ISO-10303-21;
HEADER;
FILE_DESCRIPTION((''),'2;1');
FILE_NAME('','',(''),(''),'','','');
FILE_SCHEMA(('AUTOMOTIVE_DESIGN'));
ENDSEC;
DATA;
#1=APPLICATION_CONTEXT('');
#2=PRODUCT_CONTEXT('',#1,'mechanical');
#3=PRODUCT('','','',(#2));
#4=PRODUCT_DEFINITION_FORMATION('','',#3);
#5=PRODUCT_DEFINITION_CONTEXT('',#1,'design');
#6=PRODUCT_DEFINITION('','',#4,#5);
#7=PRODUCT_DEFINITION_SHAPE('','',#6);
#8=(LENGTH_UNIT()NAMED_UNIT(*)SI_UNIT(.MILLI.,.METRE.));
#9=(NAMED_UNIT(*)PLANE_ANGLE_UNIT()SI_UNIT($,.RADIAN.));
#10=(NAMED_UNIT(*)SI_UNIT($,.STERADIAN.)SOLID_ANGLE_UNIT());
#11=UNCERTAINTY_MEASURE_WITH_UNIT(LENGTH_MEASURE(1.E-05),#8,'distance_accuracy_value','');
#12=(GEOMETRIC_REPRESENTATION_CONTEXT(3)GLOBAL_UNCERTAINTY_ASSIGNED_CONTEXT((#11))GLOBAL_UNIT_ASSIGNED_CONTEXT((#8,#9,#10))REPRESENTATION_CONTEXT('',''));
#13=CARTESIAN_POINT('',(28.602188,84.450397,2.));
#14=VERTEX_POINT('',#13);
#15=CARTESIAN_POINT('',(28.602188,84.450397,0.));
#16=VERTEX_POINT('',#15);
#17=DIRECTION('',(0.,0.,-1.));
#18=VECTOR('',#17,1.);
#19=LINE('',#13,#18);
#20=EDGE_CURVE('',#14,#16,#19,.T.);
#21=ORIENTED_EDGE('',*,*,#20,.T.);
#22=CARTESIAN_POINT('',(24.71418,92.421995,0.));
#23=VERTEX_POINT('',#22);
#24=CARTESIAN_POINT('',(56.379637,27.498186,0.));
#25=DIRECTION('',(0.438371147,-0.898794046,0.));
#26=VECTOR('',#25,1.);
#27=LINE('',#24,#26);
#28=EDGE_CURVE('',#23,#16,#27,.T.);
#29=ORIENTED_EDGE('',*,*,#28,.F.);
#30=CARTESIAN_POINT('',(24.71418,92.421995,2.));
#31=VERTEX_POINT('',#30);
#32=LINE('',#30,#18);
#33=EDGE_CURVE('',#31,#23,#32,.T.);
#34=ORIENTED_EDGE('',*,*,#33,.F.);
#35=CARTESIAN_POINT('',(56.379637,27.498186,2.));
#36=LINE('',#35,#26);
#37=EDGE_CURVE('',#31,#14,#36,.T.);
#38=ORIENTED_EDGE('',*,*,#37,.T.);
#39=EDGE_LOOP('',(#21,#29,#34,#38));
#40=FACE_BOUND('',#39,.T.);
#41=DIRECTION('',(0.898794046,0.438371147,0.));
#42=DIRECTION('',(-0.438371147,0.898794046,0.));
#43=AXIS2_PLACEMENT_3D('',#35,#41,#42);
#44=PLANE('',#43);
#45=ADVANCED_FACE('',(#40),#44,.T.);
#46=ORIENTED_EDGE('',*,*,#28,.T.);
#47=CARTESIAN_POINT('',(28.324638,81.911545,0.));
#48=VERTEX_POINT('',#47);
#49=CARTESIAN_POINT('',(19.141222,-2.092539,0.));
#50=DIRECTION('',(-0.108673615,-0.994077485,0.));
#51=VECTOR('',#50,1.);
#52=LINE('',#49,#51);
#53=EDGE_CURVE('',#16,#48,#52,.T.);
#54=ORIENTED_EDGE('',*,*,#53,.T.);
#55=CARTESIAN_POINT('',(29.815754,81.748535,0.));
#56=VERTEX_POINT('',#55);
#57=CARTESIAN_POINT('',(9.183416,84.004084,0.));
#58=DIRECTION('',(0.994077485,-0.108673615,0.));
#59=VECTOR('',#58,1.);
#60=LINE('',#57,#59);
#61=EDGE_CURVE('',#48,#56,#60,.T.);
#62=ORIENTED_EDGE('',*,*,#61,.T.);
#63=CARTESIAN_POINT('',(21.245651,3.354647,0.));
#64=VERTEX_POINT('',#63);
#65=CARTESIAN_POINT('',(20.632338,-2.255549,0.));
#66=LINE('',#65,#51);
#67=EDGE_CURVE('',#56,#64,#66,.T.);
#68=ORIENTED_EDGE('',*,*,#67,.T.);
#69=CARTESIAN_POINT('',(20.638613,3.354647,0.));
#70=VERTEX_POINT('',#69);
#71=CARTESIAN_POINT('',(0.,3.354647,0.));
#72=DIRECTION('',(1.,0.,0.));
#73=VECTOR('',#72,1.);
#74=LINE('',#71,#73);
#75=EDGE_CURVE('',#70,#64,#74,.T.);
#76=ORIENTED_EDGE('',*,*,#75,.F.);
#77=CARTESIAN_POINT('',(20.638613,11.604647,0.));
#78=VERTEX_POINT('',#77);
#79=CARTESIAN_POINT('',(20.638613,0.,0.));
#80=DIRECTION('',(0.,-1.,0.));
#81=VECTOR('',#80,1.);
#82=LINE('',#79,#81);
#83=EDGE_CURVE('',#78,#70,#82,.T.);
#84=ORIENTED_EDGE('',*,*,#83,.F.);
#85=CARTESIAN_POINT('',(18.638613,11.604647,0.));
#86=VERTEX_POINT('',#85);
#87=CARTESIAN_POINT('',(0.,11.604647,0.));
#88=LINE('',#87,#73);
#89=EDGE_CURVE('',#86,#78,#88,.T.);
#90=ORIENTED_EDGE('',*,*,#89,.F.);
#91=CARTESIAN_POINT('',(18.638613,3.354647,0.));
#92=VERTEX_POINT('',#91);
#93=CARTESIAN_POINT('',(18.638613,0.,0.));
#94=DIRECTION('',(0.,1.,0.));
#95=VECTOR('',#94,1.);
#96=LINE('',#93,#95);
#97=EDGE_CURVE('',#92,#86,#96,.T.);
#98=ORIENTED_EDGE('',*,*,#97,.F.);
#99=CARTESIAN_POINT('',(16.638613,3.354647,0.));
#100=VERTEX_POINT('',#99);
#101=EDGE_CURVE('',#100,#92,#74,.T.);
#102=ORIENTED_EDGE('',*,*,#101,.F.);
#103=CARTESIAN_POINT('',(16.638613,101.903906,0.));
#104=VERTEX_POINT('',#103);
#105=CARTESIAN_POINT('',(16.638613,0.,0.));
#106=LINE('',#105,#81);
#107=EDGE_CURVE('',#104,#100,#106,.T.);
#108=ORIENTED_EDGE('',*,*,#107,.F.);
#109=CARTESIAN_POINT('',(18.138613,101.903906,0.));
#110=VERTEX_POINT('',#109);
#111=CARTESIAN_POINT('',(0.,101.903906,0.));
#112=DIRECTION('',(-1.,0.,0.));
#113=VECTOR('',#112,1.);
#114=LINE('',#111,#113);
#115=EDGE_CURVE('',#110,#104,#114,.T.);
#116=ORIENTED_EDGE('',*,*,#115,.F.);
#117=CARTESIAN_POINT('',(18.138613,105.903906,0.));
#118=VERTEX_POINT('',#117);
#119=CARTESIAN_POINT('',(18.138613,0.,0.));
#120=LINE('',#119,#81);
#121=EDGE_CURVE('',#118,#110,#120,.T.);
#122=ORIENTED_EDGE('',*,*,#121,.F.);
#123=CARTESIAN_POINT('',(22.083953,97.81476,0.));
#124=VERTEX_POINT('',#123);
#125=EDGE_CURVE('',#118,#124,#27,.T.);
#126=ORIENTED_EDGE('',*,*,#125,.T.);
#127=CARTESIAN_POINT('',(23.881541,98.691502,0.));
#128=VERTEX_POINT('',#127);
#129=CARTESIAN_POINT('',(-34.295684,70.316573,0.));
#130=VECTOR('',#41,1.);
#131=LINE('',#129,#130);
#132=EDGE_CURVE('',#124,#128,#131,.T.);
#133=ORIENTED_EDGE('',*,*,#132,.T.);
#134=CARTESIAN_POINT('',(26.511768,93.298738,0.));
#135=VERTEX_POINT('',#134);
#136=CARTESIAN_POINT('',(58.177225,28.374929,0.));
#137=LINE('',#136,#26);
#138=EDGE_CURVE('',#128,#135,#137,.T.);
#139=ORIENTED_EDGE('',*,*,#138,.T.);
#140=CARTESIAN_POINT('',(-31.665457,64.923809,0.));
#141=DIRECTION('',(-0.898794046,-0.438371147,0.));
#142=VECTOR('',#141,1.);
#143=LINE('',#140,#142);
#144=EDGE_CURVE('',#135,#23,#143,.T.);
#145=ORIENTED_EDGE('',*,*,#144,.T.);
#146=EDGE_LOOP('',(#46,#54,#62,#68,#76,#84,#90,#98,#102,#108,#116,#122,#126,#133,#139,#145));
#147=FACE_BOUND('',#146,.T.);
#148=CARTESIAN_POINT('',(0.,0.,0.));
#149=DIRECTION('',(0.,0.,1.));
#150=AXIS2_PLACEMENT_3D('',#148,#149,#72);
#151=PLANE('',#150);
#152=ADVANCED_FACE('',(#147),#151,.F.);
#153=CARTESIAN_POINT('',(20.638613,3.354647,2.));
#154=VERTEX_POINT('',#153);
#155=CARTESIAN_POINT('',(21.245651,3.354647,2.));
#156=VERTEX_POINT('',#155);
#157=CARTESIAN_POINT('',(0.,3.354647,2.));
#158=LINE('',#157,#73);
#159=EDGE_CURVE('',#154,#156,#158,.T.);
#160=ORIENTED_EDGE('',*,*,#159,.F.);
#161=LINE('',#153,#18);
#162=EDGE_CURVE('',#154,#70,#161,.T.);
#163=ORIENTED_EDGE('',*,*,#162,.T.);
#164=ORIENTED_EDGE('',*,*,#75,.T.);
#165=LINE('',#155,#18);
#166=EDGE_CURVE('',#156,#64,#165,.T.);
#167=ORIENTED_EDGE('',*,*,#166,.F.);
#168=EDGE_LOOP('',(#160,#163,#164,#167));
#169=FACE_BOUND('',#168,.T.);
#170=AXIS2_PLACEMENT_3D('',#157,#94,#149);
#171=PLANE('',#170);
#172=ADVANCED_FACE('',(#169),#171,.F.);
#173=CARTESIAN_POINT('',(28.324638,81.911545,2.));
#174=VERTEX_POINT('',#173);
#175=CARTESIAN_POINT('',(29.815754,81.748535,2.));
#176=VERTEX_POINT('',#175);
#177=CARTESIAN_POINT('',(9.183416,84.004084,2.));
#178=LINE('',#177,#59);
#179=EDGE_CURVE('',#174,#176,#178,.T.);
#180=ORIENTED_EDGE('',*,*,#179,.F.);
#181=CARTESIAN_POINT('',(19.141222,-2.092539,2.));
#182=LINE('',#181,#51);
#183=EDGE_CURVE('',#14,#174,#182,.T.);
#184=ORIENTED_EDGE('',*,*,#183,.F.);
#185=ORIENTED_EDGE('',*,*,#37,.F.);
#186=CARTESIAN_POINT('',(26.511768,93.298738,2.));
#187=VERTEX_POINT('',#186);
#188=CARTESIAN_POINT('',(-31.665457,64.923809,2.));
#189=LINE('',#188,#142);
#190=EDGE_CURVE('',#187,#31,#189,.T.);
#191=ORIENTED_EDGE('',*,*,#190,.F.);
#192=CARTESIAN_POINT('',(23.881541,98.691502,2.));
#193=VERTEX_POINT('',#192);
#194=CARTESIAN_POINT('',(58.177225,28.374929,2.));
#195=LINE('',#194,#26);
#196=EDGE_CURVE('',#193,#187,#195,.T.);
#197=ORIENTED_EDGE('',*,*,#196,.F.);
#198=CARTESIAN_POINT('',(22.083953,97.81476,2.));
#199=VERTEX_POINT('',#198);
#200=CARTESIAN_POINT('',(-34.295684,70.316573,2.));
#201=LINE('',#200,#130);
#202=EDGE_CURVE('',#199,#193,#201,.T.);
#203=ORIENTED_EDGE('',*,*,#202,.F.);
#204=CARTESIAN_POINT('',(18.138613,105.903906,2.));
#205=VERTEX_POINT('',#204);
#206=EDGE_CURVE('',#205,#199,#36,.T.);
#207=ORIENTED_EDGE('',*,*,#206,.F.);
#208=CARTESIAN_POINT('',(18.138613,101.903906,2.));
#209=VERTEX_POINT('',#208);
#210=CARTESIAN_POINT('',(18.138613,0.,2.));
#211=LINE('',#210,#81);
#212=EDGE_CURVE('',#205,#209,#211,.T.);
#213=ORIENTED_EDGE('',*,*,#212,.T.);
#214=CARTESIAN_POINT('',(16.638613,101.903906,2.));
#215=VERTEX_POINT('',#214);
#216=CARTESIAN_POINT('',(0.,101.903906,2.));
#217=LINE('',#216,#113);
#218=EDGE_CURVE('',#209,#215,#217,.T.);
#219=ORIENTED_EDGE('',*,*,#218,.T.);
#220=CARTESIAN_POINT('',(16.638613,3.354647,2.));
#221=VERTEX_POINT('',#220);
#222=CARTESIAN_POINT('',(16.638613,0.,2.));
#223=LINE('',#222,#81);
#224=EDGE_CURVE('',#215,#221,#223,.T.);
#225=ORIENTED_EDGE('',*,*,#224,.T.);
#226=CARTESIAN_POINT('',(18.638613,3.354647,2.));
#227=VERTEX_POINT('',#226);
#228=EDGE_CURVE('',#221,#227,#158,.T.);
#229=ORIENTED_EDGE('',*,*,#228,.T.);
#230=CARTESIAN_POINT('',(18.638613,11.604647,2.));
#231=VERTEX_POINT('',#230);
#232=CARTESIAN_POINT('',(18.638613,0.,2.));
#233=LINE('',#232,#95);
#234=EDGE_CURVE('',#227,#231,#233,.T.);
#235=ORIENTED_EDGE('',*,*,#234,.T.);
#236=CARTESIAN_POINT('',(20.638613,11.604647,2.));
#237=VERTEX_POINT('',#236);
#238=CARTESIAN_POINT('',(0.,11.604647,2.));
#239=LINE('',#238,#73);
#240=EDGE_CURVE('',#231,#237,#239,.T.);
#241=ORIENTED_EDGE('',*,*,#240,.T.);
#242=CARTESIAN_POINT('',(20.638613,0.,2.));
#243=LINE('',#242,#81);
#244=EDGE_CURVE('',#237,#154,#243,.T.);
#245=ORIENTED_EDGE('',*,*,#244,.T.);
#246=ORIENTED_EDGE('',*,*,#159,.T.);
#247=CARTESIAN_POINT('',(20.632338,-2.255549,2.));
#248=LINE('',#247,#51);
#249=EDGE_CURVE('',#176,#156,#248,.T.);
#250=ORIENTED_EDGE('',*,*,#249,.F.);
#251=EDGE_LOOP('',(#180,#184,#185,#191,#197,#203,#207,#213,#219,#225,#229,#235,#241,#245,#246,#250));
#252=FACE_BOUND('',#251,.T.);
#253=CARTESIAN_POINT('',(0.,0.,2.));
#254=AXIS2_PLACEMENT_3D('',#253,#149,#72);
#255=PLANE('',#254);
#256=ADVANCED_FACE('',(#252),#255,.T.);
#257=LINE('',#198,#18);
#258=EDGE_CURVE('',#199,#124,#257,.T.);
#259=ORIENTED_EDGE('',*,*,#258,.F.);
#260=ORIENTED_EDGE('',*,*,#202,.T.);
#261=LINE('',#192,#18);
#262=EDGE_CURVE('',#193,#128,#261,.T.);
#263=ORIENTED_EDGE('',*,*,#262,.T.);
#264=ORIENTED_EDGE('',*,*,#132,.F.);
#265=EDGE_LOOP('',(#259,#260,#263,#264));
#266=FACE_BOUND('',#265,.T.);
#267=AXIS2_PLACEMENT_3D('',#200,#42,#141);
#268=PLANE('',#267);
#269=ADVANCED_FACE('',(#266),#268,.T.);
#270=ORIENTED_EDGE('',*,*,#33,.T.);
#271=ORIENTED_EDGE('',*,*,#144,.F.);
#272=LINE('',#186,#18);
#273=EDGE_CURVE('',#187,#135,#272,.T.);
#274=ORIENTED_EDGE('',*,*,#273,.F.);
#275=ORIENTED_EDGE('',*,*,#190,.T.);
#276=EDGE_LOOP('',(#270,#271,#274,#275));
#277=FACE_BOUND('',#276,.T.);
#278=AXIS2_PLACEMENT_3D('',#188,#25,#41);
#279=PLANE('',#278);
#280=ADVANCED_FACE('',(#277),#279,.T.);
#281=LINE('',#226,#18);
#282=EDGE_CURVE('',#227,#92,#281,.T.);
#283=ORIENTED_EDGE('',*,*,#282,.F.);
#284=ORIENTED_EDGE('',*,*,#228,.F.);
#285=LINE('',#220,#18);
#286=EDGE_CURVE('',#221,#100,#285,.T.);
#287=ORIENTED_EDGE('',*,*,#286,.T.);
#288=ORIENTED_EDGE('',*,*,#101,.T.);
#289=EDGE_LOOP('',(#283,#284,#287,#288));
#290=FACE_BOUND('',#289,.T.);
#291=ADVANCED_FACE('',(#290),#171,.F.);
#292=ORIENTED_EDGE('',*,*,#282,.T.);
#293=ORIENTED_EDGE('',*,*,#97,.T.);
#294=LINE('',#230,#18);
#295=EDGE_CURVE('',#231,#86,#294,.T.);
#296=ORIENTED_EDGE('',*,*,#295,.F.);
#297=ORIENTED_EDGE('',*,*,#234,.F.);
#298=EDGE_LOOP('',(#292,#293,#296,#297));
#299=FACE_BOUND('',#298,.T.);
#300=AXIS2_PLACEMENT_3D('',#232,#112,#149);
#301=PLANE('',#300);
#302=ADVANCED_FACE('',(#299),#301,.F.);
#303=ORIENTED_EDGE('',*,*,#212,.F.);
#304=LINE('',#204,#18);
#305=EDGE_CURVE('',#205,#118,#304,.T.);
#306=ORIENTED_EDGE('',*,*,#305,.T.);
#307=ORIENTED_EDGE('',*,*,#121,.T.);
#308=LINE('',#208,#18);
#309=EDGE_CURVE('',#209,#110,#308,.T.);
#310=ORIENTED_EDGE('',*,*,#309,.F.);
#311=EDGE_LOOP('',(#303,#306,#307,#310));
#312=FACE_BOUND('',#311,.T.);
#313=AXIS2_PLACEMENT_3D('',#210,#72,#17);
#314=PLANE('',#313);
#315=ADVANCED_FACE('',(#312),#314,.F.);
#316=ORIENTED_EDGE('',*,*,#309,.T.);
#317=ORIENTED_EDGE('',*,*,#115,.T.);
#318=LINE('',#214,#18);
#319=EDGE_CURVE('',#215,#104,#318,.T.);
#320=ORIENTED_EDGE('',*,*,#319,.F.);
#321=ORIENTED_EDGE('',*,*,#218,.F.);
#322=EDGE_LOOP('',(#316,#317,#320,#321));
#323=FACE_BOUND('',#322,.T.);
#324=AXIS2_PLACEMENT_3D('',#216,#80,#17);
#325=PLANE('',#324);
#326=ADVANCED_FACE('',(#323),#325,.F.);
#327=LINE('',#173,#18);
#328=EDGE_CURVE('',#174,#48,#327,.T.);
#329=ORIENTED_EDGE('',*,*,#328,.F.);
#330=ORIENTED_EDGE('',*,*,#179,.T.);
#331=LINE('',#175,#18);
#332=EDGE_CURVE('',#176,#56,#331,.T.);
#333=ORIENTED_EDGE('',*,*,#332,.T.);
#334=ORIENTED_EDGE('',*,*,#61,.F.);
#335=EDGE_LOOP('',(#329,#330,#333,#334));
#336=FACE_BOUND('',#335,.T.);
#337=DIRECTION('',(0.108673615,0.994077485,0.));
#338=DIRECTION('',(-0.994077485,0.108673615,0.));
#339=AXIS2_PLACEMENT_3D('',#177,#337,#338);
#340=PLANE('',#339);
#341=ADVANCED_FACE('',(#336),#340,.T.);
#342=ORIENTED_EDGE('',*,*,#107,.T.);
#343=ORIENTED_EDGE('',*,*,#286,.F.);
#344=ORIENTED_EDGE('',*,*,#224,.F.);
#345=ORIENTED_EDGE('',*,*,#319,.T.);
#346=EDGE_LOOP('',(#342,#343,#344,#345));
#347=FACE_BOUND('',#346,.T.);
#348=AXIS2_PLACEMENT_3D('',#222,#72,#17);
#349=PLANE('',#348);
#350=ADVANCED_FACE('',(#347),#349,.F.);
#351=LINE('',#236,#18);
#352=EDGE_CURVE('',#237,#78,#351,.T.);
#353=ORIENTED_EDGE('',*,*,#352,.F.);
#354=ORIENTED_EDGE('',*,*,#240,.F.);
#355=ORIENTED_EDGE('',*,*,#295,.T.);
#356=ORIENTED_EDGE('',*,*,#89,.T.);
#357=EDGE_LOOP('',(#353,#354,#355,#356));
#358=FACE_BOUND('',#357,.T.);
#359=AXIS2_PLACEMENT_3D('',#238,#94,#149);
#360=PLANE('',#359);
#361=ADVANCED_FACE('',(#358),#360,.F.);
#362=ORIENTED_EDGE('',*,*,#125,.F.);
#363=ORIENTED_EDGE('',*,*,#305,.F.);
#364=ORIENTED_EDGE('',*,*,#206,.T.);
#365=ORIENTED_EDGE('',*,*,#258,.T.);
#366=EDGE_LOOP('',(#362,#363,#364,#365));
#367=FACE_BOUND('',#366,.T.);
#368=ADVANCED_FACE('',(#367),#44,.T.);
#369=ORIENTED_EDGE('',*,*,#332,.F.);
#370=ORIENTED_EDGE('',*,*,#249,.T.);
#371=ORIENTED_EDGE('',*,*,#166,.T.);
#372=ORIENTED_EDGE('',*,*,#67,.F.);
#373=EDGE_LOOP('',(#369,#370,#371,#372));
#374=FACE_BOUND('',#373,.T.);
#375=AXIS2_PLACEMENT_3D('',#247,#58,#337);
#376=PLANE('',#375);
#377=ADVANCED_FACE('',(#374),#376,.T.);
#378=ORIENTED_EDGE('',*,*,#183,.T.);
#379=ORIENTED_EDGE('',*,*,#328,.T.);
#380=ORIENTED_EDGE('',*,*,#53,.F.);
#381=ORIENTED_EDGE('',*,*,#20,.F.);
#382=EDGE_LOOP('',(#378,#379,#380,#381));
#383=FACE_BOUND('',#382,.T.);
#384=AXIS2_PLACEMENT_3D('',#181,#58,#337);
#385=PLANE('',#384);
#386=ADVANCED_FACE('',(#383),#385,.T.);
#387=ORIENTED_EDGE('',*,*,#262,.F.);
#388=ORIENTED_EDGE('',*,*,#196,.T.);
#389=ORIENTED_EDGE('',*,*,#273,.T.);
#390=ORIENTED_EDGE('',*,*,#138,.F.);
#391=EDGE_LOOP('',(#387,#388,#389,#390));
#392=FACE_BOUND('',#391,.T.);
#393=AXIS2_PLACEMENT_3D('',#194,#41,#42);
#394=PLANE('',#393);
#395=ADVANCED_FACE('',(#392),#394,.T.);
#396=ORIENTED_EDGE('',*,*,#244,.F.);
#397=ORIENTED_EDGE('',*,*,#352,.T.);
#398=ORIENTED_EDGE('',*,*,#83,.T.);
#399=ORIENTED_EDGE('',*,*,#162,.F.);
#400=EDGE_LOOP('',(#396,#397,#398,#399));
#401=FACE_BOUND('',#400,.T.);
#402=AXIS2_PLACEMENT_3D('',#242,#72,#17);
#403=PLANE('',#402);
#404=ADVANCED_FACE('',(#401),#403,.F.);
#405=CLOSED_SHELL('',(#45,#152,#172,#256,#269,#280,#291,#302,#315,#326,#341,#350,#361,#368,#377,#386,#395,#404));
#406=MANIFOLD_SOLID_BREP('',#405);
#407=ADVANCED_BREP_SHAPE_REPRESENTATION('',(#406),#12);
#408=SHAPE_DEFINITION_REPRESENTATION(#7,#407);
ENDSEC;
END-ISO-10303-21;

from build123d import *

# Parameters (mm, degrees)
EXTRUDE_1_DEPTH = 2


with BuildPart() as part:
    # 草图1 → 凸台-拉伸1 (new body)
    with BuildSketch(Plane.XY):
        Polygon((28.324638032, 81.911544994), (29.815754259, 81.748534571), (21.245650557, 3.354647285), (20.63861269, 3.354647285), (20.63861269, 11.604647285), (18.63861269, 11.604647285), (18.63861269, 3.354647285), (16.63861269, 3.354647285), (16.63861269, 101.903905963), (18.13861269, 101.903905963), (18.13861269, 105.903905963), (22.083953011, 97.814759547), (23.881541104, 98.69150184), (26.511767984, 93.298737563), (24.714179892, 92.421995269), (28.60218807, 84.450397166), align=None)
    extrude(amount=EXTRUDE_1_DEPTH)


solid = part.part
